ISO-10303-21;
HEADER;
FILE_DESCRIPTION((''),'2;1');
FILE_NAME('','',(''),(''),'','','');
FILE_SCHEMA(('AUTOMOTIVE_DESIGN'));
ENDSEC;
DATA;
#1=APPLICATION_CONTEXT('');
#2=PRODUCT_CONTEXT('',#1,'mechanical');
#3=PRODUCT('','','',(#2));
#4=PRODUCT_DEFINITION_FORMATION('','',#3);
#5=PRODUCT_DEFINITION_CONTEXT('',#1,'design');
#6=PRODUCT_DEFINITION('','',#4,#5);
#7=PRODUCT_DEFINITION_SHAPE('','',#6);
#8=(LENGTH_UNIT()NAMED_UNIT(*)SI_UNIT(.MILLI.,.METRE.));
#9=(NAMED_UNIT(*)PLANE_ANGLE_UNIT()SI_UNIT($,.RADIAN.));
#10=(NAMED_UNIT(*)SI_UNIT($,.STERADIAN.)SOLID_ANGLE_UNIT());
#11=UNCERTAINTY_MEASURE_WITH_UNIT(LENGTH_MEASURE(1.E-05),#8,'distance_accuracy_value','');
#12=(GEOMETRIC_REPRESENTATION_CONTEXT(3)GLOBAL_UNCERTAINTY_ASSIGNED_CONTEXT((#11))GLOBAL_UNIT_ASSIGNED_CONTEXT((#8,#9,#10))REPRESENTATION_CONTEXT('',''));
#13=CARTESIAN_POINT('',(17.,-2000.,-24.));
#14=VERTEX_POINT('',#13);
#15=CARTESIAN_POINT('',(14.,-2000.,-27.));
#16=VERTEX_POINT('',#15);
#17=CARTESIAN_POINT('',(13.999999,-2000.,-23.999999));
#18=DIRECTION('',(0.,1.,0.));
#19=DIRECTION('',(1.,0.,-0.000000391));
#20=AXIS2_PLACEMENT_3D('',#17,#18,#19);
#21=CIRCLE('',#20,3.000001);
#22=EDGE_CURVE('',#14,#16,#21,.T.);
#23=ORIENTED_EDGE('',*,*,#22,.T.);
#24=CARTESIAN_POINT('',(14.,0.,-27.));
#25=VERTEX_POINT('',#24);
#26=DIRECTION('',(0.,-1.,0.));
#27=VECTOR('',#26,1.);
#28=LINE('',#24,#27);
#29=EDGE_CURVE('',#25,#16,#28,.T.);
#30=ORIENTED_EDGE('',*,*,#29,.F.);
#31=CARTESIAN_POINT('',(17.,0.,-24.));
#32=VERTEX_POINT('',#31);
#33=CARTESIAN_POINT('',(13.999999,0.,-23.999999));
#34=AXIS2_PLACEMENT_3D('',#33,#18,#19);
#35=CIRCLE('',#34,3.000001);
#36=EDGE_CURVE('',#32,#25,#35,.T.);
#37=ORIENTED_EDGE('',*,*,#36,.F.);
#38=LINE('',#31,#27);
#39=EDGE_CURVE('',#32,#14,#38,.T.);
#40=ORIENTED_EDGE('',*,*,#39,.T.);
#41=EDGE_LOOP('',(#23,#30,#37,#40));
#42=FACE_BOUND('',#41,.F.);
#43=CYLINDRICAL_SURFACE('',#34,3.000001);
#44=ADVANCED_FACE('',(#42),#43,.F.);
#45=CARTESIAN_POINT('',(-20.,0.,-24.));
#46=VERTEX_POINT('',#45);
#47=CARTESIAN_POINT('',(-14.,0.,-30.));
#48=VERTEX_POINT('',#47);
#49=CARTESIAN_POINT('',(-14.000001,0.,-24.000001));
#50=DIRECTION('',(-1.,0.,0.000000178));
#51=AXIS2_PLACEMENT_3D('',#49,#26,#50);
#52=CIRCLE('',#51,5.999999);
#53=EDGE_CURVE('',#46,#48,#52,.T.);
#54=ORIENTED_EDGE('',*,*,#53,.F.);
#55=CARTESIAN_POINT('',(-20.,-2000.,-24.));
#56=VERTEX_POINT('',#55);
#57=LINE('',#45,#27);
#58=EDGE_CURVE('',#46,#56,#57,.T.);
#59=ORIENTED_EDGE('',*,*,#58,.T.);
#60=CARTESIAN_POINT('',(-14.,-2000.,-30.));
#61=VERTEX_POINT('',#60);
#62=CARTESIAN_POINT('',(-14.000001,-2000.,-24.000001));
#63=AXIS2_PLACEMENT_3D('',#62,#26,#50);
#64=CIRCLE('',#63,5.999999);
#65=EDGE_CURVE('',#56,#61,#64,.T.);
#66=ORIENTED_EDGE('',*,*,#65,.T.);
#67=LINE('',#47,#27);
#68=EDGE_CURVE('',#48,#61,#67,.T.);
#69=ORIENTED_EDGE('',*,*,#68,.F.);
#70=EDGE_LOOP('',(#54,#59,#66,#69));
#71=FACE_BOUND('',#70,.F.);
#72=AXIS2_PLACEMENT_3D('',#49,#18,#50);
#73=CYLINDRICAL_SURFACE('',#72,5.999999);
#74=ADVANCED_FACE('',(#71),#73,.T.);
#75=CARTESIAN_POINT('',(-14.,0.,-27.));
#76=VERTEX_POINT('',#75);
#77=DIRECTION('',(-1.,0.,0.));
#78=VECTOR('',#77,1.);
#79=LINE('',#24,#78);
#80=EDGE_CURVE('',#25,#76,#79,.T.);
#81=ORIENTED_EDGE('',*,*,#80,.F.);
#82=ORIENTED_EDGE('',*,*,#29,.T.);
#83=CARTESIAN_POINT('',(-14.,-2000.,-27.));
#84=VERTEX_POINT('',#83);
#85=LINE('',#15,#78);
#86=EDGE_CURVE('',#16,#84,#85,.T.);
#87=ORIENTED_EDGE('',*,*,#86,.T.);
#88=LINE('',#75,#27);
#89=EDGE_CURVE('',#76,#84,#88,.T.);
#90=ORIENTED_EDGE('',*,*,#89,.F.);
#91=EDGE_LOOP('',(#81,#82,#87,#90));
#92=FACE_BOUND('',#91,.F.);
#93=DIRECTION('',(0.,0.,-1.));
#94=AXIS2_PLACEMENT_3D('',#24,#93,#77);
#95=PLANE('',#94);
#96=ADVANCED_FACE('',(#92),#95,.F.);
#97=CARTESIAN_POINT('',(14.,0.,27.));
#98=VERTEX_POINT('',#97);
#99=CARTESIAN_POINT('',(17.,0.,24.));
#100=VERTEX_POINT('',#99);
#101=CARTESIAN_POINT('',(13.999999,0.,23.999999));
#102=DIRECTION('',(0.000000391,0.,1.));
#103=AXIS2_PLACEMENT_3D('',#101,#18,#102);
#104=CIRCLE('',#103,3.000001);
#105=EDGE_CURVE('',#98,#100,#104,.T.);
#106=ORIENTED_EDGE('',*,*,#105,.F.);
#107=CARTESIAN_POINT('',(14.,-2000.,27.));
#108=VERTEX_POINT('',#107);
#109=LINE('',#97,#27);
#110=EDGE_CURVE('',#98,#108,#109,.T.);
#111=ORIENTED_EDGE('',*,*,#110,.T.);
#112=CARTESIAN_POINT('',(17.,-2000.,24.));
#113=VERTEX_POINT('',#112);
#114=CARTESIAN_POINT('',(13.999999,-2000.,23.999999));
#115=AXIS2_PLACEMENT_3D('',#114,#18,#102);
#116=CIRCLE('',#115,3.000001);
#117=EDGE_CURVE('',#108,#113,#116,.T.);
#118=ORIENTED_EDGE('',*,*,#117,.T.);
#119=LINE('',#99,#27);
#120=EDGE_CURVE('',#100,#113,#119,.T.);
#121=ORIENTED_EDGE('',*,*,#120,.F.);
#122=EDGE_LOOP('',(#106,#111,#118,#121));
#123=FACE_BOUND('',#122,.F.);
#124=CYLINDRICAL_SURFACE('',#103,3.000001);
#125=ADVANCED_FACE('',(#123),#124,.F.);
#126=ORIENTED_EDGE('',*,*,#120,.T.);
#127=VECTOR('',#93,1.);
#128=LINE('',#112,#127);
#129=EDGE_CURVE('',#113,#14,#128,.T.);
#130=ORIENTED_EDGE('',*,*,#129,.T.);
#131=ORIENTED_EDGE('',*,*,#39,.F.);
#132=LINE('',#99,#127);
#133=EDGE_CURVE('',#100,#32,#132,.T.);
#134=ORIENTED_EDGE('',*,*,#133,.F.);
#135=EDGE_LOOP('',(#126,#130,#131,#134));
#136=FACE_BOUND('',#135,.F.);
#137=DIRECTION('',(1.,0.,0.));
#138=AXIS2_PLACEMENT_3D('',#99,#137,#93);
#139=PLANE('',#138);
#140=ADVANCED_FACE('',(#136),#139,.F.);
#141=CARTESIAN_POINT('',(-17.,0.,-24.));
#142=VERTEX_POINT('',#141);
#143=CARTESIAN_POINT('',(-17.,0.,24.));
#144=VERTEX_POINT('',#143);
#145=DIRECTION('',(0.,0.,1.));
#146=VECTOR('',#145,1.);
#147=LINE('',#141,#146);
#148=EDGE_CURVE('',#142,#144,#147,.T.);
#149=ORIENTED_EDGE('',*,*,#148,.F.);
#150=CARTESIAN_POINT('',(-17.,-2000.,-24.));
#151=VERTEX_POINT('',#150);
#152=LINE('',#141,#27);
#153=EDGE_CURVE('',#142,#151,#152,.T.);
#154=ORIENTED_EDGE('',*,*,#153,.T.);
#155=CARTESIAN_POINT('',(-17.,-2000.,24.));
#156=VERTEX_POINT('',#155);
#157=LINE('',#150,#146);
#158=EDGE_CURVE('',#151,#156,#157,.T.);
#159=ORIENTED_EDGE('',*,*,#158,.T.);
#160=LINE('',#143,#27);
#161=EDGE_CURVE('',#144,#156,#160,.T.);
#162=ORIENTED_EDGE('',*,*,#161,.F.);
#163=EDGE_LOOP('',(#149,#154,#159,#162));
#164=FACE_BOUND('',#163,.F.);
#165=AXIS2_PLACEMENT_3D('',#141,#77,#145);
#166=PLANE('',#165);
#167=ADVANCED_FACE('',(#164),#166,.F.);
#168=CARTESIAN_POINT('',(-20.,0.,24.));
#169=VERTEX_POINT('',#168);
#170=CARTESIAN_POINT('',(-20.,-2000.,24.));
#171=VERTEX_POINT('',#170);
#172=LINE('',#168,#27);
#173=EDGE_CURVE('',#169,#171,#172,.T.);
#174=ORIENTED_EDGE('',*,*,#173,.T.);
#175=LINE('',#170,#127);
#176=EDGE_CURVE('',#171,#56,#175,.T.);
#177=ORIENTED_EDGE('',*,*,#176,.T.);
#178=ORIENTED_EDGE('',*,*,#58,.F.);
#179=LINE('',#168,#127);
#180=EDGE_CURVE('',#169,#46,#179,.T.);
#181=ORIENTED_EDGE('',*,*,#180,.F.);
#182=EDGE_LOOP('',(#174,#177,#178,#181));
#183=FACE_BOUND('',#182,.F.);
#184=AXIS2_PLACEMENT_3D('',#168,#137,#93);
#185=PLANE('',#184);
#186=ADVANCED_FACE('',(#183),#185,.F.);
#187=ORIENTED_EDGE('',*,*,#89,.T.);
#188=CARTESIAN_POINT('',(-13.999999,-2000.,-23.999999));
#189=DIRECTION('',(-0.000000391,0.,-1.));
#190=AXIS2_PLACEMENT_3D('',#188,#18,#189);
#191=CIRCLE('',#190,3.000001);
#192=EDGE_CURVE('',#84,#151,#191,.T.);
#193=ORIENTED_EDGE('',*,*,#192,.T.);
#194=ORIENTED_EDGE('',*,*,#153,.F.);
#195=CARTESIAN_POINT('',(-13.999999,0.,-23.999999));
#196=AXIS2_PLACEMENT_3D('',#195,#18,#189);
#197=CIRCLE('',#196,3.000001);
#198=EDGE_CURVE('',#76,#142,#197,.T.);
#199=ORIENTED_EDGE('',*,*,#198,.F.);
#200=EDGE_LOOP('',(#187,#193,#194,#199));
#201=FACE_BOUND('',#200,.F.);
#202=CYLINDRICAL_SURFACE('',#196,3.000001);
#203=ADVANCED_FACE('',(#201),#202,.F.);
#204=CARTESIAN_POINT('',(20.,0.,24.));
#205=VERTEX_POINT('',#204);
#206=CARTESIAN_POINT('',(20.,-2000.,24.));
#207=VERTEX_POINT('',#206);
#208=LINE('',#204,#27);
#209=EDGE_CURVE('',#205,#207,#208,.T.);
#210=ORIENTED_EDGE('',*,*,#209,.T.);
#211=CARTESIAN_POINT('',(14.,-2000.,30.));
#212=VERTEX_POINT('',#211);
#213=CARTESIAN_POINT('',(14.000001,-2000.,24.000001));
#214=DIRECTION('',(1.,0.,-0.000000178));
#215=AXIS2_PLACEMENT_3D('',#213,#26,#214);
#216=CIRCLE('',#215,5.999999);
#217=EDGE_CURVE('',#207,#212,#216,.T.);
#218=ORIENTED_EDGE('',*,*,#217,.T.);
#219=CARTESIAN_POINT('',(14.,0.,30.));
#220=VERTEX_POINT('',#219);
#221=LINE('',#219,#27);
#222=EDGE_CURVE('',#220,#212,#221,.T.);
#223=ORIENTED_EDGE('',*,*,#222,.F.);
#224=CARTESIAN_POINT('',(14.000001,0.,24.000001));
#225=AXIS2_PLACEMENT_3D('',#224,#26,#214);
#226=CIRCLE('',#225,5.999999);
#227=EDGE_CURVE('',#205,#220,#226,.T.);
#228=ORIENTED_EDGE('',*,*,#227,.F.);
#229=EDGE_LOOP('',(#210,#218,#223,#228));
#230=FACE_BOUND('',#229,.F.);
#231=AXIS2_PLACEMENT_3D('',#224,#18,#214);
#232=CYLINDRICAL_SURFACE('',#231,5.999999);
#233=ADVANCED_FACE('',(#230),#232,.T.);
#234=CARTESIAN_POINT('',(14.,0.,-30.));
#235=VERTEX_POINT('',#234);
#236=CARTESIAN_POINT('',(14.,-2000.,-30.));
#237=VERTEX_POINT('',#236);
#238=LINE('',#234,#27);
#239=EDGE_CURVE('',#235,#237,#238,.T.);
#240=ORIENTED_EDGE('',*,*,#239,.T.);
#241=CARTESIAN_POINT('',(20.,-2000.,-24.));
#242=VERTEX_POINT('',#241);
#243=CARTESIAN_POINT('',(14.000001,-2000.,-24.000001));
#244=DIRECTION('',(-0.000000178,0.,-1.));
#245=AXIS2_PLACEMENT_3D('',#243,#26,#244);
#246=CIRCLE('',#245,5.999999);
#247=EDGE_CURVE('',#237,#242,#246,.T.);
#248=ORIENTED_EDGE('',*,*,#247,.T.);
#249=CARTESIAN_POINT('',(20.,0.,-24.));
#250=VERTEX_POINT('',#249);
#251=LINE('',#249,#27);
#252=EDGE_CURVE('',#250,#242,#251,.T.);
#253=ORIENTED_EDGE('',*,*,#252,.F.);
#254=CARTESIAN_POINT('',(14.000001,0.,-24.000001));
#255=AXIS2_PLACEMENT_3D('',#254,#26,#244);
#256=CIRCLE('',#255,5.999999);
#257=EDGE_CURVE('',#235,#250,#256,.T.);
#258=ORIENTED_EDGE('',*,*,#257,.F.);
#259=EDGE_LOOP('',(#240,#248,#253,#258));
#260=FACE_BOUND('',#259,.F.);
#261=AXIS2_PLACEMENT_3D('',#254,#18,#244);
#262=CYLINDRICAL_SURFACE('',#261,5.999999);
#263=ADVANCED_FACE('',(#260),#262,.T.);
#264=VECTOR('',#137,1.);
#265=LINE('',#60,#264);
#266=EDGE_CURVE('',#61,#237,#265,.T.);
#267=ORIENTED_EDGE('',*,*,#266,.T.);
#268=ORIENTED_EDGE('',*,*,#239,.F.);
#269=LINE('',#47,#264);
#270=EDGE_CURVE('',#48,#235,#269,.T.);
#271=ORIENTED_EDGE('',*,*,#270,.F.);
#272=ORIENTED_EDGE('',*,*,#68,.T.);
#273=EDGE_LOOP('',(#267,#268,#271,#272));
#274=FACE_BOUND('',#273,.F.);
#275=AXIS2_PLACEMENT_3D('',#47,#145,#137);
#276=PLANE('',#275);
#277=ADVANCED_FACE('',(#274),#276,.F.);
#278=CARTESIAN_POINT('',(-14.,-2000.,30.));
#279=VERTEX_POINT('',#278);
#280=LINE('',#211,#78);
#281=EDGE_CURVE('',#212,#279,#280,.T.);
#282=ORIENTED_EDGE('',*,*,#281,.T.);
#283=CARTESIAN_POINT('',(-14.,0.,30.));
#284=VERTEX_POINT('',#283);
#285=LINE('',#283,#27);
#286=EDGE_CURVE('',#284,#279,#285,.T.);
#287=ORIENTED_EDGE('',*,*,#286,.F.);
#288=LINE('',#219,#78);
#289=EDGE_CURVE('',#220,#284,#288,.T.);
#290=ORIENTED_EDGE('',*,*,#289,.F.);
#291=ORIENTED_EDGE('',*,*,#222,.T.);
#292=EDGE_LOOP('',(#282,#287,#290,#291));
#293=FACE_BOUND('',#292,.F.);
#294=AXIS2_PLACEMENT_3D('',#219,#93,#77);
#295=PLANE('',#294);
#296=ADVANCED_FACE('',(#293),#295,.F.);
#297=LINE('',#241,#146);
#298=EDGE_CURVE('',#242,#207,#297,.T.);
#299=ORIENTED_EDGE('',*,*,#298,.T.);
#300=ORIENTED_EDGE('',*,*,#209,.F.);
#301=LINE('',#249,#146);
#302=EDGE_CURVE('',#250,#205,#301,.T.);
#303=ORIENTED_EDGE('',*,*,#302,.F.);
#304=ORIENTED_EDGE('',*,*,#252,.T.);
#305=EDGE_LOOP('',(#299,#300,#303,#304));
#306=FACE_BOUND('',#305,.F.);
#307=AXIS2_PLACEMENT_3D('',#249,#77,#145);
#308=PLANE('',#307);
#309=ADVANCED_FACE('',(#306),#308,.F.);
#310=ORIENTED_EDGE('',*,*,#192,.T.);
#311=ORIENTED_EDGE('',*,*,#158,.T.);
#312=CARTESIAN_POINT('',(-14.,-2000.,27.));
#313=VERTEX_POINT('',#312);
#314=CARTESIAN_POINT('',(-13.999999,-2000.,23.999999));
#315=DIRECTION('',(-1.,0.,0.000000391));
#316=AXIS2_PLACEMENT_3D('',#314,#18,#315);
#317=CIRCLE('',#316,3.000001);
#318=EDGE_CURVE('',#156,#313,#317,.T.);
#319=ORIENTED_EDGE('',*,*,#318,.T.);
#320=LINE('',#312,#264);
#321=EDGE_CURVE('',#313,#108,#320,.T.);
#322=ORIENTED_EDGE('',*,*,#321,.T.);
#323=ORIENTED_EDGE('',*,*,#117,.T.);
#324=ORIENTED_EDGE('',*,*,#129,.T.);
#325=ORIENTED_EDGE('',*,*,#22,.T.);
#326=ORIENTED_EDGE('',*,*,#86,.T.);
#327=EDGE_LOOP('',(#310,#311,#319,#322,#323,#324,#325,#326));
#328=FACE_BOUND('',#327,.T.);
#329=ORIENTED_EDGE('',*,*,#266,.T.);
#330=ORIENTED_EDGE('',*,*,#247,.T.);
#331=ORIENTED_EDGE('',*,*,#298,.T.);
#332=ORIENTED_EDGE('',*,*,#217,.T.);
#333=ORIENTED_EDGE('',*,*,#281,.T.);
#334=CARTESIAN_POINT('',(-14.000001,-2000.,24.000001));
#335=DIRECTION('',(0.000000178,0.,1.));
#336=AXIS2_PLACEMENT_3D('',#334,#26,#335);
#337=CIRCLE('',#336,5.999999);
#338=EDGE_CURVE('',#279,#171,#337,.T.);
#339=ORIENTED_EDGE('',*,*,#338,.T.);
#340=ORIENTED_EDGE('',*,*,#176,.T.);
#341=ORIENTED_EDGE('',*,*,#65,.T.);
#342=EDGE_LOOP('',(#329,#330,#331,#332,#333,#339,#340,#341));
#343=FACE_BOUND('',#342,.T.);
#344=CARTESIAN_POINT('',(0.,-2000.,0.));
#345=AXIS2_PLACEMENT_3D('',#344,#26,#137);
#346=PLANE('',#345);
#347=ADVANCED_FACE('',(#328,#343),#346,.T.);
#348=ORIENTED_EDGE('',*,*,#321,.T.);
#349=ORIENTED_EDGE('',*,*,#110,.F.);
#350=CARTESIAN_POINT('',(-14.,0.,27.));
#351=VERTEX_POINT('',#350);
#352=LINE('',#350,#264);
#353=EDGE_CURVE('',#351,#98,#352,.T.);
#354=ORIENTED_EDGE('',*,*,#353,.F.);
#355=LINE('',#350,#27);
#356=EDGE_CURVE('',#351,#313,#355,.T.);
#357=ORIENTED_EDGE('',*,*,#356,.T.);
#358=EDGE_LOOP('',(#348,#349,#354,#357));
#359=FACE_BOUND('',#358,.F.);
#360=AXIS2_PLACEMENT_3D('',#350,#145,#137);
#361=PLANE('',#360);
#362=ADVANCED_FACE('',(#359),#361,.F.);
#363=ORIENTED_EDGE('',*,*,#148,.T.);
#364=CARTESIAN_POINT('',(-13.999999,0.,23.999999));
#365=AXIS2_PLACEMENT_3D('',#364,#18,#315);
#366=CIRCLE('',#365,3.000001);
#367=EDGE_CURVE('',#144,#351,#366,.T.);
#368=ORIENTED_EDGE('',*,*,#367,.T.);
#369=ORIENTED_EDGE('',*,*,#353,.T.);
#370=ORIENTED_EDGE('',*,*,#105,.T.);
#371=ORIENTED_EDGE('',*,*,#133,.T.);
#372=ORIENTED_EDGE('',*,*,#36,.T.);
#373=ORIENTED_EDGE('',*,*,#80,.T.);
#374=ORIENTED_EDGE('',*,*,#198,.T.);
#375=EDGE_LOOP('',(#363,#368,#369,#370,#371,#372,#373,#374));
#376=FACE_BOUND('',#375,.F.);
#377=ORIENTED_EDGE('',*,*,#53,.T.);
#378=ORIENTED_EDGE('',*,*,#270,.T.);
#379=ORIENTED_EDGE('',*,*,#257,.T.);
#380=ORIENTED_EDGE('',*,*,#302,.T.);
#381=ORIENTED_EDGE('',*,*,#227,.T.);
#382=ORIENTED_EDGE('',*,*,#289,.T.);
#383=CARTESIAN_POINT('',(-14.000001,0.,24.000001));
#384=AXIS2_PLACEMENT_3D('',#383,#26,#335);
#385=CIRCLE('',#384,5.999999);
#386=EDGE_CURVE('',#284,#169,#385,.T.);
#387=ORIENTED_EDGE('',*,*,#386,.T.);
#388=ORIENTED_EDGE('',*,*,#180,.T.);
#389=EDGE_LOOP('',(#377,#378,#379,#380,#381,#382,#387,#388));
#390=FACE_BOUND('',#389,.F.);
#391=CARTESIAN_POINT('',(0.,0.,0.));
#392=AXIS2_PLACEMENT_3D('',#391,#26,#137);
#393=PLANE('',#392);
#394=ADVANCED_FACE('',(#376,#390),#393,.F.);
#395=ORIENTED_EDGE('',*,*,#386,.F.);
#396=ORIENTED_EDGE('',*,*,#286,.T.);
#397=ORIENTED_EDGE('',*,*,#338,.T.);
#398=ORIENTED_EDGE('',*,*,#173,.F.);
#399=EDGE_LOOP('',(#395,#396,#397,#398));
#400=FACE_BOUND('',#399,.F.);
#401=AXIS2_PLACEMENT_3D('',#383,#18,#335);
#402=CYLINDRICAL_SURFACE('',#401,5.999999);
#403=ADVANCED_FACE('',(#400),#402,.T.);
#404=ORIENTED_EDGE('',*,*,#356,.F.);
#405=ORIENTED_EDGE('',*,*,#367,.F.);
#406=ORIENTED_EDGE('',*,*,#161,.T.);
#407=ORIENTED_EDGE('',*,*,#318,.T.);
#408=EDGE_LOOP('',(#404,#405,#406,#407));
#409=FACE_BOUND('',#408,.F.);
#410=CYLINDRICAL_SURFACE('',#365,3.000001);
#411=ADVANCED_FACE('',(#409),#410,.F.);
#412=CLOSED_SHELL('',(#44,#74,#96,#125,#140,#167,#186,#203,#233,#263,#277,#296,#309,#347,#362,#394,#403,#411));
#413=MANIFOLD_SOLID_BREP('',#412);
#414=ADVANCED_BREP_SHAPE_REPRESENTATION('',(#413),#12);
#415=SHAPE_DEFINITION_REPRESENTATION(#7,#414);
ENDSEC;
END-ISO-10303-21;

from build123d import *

# Parameters (mm, degrees)
F1_DEPTH = 2000


with BuildPart() as f1:
    # F0 (on Front) → F1 (new body)
    with BuildSketch(Plane.XZ):
        with BuildLine():
            Line((14, 30), (-14, 30))
            ThreePointArc((-14, 30), (-18.242641, 28.242641), (-20, 24))
            Line((-20, 24), (-20, -24))
            ThreePointArc((-20, -24), (-18.242641, -28.242641), (-14, -30))
            Line((-14, -30), (14, -30))
            ThreePointArc((14, -30), (18.242641, -28.242641), (20, -24))
            Line((20, -24), (20, 24))
            ThreePointArc((20, 24), (18.242641, 28.242641), (14, 30))
        make_face()
        with BuildLine():
            Line((-17, -24), (-17, 24))
            ThreePointArc((-17, 24), (-16.12132, 26.12132), (-14, 27))
            Line((-14, 27), (14, 27))
            ThreePointArc((14, 27), (16.12132, 26.12132), (17, 24))
            Line((17, 24), (17, -24))
            ThreePointArc((17, -24), (16.12132, -26.12132), (14, -27))
            Line((14, -27), (-14, -27))
            ThreePointArc((-14, -27), (-16.12132, -26.12132), (-17, -24))
        make_face(mode=Mode.SUBTRACT)
    extrude(amount=F1_DEPTH)


solid = f1.part
